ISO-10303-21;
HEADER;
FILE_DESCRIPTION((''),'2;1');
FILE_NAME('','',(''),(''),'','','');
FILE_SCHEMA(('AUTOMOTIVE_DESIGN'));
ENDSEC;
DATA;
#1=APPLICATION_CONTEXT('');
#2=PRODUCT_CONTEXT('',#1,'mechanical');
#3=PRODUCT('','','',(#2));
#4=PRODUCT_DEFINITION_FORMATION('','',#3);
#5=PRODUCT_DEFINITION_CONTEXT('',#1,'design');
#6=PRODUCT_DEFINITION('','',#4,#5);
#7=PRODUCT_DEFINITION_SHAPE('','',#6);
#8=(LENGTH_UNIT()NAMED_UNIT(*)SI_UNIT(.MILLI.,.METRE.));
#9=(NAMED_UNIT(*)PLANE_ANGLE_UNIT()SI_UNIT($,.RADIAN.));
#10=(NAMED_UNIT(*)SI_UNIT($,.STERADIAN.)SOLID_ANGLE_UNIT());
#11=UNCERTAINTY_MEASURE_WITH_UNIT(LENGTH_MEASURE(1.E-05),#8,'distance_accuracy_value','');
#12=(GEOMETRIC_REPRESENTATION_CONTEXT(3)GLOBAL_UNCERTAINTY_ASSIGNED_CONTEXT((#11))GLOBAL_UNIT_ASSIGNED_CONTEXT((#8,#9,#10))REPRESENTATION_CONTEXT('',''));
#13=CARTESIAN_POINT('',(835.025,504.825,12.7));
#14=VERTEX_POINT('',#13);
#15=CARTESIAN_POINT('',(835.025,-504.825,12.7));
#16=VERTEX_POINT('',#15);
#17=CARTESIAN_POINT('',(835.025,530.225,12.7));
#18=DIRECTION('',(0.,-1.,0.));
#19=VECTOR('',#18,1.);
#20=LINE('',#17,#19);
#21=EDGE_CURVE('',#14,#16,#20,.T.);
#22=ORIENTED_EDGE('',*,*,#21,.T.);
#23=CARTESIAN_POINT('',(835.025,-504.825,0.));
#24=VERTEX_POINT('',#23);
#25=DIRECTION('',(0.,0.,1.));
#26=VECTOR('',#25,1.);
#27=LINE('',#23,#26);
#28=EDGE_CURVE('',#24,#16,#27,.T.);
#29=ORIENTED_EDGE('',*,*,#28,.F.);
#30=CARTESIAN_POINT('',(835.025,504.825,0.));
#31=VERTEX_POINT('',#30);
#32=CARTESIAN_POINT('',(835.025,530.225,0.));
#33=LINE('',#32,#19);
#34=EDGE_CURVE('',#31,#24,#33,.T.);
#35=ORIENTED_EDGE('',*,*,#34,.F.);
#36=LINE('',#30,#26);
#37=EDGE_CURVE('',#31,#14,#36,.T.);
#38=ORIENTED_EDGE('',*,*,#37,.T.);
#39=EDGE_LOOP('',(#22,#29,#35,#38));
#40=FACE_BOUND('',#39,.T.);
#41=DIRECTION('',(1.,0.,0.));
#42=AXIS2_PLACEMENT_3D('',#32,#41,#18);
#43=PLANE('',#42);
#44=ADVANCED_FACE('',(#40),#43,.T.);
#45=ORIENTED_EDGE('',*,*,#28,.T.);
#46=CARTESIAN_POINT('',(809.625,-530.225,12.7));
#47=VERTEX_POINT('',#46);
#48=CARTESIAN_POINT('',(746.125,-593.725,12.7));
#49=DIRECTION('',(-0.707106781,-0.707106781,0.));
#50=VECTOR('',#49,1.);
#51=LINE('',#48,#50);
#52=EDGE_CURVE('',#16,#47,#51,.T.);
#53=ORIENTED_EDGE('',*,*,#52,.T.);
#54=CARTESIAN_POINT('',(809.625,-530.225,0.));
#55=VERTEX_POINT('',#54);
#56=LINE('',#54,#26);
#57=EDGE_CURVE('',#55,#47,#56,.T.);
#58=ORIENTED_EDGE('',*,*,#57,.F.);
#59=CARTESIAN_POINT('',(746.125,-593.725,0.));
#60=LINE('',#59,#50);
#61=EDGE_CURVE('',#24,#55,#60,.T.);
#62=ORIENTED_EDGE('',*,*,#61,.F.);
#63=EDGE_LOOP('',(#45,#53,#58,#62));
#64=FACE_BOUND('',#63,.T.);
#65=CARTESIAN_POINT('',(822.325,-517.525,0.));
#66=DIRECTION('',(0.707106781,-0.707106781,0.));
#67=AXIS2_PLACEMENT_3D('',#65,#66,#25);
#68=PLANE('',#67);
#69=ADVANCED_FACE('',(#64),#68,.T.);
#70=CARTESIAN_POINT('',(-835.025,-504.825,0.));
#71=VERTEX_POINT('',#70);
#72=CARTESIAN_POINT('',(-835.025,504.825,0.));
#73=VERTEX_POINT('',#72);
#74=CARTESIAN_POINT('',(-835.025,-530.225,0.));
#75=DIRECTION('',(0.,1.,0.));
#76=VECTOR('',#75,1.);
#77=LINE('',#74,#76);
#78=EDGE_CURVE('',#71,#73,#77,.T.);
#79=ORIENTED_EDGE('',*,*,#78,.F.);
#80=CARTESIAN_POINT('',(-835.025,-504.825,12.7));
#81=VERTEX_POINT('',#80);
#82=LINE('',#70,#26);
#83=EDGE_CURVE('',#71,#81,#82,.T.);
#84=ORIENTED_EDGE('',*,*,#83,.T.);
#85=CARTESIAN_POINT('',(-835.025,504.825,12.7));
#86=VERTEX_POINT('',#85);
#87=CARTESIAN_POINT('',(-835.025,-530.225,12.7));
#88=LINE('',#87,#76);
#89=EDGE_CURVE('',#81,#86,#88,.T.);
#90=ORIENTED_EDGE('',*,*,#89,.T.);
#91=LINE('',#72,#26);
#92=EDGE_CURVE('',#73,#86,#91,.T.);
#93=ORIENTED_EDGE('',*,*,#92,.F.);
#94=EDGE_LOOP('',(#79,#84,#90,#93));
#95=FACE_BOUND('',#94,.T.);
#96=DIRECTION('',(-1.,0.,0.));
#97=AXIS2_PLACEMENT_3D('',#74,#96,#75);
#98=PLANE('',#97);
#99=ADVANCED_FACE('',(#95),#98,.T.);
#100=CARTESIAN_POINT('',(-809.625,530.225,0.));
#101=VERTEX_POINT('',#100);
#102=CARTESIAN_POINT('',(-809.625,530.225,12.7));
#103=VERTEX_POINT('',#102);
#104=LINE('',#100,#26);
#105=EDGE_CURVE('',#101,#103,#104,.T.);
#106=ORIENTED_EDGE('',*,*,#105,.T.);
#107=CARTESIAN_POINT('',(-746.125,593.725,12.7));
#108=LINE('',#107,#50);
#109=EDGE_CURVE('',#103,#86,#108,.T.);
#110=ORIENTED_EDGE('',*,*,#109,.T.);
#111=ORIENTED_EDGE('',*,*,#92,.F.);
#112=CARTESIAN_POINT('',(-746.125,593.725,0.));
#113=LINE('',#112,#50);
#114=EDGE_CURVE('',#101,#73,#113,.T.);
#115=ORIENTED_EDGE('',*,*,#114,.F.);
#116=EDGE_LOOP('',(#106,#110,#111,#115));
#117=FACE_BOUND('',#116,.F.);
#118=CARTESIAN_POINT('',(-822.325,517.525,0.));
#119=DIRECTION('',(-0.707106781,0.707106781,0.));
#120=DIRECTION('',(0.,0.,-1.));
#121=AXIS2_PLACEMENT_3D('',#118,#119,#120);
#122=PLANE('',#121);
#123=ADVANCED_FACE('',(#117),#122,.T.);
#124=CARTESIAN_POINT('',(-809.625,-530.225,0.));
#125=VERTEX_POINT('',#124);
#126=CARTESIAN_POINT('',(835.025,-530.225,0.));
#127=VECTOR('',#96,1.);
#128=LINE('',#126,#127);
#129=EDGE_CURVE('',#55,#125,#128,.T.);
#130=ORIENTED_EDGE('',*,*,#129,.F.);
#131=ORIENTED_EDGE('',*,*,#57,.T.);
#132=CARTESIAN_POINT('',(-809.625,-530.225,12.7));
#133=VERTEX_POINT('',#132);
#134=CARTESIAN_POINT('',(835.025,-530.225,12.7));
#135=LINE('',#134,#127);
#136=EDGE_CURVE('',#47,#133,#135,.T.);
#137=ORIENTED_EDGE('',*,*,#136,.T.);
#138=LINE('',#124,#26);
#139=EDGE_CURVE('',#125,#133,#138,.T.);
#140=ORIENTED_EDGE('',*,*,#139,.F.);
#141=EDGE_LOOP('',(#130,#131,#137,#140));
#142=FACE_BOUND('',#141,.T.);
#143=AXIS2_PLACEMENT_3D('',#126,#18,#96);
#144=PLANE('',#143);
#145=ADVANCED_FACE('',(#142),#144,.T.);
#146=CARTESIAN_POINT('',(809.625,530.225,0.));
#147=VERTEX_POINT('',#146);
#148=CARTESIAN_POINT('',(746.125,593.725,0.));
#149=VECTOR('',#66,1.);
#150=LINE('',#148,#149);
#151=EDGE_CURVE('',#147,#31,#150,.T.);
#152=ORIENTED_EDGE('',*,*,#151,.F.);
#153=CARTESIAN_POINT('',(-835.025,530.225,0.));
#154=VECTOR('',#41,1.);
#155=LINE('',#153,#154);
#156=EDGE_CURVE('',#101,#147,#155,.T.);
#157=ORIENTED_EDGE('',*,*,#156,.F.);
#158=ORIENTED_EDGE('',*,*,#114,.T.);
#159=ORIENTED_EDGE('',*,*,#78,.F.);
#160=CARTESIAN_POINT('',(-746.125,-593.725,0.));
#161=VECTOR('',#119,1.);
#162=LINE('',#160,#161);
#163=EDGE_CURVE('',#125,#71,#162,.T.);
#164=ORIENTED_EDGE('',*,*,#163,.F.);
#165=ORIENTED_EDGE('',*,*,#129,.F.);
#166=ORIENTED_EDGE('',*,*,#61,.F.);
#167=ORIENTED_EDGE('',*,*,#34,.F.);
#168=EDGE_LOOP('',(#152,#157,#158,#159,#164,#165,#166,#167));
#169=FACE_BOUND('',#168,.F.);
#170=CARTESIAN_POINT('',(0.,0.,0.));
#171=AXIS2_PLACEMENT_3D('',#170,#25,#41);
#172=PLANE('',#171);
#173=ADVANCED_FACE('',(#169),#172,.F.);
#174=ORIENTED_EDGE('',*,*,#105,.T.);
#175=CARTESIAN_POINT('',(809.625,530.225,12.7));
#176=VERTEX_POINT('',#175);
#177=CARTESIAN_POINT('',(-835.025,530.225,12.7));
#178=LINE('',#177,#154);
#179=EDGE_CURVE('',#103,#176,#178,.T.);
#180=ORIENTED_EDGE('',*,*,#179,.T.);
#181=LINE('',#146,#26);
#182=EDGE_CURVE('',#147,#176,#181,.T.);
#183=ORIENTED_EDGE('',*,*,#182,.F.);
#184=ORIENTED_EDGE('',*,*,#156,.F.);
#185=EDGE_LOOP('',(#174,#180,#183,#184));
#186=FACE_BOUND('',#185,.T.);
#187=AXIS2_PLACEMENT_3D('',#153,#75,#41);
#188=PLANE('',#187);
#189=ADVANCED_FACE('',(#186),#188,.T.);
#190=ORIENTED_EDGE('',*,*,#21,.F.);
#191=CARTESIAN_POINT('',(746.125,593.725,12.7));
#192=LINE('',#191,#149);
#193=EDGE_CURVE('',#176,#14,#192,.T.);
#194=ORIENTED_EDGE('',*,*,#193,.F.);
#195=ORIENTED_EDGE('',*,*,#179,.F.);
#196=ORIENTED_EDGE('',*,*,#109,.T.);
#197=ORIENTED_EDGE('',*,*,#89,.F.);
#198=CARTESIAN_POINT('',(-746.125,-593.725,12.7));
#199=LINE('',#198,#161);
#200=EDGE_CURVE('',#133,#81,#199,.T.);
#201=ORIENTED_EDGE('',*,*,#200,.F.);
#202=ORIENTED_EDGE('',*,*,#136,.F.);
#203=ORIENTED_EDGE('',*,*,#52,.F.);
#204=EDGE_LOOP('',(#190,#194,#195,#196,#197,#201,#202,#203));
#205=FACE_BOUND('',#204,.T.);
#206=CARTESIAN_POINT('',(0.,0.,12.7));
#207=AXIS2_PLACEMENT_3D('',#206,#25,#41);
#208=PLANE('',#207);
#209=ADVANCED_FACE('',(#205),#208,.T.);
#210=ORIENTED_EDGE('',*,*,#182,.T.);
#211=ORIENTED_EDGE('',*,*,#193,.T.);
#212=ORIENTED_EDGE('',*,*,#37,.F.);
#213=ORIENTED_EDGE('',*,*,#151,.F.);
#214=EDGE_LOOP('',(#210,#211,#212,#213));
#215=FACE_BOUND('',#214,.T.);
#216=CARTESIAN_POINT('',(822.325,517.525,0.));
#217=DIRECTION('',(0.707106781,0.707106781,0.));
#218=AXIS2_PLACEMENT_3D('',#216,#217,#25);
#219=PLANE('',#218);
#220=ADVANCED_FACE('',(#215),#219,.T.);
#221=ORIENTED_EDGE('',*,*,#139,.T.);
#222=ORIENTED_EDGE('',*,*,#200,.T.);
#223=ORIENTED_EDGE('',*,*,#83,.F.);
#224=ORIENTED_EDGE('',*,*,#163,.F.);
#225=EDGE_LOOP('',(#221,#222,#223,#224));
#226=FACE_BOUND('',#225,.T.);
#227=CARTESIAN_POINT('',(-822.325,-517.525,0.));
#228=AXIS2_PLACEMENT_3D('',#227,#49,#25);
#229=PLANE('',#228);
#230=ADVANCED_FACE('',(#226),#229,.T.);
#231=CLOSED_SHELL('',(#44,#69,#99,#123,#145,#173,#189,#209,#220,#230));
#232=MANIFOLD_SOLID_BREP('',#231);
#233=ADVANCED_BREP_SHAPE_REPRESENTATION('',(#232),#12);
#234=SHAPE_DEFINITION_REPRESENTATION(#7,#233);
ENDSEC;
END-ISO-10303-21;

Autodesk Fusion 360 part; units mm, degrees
sketch "Sketch1" plane through (0, 0, 0) normal (0, 0, 1) x (1, 0, 0)
  line L0 (-835.025, 530.225) -> (835.025, 530.225)
  line L1 (835.025, 530.225) -> (835.025, -530.225)
  line L2 (835.025, -530.225) -> (-835.025, -530.225)
  line L3 (-835.025, -530.225) -> (-835.025, 530.225)
  line L4 (-835.025, 530.225) -> (835.025, -530.225) construction
  line L5 (835.025, 530.225) -> (-835.025, -530.225) construction
  dimension "d1" = 1670.05
  dimension "d2" = 1060.45
extrude "Extrude1" add sketch "Sketch1" along normal blind 12.7
chamfer "Chamfer1" distance 25.4 angle 45 4 edges at (-835.025, -530.225, 6.35) (-835.025, 530.225, 6.35) (835.025, 530.225, 6.35) (835.025, -530.225, 6.35)
equation "d1 = 66 in - 0.25 in"
equation "d2 = 42 in - 0.25 in"
